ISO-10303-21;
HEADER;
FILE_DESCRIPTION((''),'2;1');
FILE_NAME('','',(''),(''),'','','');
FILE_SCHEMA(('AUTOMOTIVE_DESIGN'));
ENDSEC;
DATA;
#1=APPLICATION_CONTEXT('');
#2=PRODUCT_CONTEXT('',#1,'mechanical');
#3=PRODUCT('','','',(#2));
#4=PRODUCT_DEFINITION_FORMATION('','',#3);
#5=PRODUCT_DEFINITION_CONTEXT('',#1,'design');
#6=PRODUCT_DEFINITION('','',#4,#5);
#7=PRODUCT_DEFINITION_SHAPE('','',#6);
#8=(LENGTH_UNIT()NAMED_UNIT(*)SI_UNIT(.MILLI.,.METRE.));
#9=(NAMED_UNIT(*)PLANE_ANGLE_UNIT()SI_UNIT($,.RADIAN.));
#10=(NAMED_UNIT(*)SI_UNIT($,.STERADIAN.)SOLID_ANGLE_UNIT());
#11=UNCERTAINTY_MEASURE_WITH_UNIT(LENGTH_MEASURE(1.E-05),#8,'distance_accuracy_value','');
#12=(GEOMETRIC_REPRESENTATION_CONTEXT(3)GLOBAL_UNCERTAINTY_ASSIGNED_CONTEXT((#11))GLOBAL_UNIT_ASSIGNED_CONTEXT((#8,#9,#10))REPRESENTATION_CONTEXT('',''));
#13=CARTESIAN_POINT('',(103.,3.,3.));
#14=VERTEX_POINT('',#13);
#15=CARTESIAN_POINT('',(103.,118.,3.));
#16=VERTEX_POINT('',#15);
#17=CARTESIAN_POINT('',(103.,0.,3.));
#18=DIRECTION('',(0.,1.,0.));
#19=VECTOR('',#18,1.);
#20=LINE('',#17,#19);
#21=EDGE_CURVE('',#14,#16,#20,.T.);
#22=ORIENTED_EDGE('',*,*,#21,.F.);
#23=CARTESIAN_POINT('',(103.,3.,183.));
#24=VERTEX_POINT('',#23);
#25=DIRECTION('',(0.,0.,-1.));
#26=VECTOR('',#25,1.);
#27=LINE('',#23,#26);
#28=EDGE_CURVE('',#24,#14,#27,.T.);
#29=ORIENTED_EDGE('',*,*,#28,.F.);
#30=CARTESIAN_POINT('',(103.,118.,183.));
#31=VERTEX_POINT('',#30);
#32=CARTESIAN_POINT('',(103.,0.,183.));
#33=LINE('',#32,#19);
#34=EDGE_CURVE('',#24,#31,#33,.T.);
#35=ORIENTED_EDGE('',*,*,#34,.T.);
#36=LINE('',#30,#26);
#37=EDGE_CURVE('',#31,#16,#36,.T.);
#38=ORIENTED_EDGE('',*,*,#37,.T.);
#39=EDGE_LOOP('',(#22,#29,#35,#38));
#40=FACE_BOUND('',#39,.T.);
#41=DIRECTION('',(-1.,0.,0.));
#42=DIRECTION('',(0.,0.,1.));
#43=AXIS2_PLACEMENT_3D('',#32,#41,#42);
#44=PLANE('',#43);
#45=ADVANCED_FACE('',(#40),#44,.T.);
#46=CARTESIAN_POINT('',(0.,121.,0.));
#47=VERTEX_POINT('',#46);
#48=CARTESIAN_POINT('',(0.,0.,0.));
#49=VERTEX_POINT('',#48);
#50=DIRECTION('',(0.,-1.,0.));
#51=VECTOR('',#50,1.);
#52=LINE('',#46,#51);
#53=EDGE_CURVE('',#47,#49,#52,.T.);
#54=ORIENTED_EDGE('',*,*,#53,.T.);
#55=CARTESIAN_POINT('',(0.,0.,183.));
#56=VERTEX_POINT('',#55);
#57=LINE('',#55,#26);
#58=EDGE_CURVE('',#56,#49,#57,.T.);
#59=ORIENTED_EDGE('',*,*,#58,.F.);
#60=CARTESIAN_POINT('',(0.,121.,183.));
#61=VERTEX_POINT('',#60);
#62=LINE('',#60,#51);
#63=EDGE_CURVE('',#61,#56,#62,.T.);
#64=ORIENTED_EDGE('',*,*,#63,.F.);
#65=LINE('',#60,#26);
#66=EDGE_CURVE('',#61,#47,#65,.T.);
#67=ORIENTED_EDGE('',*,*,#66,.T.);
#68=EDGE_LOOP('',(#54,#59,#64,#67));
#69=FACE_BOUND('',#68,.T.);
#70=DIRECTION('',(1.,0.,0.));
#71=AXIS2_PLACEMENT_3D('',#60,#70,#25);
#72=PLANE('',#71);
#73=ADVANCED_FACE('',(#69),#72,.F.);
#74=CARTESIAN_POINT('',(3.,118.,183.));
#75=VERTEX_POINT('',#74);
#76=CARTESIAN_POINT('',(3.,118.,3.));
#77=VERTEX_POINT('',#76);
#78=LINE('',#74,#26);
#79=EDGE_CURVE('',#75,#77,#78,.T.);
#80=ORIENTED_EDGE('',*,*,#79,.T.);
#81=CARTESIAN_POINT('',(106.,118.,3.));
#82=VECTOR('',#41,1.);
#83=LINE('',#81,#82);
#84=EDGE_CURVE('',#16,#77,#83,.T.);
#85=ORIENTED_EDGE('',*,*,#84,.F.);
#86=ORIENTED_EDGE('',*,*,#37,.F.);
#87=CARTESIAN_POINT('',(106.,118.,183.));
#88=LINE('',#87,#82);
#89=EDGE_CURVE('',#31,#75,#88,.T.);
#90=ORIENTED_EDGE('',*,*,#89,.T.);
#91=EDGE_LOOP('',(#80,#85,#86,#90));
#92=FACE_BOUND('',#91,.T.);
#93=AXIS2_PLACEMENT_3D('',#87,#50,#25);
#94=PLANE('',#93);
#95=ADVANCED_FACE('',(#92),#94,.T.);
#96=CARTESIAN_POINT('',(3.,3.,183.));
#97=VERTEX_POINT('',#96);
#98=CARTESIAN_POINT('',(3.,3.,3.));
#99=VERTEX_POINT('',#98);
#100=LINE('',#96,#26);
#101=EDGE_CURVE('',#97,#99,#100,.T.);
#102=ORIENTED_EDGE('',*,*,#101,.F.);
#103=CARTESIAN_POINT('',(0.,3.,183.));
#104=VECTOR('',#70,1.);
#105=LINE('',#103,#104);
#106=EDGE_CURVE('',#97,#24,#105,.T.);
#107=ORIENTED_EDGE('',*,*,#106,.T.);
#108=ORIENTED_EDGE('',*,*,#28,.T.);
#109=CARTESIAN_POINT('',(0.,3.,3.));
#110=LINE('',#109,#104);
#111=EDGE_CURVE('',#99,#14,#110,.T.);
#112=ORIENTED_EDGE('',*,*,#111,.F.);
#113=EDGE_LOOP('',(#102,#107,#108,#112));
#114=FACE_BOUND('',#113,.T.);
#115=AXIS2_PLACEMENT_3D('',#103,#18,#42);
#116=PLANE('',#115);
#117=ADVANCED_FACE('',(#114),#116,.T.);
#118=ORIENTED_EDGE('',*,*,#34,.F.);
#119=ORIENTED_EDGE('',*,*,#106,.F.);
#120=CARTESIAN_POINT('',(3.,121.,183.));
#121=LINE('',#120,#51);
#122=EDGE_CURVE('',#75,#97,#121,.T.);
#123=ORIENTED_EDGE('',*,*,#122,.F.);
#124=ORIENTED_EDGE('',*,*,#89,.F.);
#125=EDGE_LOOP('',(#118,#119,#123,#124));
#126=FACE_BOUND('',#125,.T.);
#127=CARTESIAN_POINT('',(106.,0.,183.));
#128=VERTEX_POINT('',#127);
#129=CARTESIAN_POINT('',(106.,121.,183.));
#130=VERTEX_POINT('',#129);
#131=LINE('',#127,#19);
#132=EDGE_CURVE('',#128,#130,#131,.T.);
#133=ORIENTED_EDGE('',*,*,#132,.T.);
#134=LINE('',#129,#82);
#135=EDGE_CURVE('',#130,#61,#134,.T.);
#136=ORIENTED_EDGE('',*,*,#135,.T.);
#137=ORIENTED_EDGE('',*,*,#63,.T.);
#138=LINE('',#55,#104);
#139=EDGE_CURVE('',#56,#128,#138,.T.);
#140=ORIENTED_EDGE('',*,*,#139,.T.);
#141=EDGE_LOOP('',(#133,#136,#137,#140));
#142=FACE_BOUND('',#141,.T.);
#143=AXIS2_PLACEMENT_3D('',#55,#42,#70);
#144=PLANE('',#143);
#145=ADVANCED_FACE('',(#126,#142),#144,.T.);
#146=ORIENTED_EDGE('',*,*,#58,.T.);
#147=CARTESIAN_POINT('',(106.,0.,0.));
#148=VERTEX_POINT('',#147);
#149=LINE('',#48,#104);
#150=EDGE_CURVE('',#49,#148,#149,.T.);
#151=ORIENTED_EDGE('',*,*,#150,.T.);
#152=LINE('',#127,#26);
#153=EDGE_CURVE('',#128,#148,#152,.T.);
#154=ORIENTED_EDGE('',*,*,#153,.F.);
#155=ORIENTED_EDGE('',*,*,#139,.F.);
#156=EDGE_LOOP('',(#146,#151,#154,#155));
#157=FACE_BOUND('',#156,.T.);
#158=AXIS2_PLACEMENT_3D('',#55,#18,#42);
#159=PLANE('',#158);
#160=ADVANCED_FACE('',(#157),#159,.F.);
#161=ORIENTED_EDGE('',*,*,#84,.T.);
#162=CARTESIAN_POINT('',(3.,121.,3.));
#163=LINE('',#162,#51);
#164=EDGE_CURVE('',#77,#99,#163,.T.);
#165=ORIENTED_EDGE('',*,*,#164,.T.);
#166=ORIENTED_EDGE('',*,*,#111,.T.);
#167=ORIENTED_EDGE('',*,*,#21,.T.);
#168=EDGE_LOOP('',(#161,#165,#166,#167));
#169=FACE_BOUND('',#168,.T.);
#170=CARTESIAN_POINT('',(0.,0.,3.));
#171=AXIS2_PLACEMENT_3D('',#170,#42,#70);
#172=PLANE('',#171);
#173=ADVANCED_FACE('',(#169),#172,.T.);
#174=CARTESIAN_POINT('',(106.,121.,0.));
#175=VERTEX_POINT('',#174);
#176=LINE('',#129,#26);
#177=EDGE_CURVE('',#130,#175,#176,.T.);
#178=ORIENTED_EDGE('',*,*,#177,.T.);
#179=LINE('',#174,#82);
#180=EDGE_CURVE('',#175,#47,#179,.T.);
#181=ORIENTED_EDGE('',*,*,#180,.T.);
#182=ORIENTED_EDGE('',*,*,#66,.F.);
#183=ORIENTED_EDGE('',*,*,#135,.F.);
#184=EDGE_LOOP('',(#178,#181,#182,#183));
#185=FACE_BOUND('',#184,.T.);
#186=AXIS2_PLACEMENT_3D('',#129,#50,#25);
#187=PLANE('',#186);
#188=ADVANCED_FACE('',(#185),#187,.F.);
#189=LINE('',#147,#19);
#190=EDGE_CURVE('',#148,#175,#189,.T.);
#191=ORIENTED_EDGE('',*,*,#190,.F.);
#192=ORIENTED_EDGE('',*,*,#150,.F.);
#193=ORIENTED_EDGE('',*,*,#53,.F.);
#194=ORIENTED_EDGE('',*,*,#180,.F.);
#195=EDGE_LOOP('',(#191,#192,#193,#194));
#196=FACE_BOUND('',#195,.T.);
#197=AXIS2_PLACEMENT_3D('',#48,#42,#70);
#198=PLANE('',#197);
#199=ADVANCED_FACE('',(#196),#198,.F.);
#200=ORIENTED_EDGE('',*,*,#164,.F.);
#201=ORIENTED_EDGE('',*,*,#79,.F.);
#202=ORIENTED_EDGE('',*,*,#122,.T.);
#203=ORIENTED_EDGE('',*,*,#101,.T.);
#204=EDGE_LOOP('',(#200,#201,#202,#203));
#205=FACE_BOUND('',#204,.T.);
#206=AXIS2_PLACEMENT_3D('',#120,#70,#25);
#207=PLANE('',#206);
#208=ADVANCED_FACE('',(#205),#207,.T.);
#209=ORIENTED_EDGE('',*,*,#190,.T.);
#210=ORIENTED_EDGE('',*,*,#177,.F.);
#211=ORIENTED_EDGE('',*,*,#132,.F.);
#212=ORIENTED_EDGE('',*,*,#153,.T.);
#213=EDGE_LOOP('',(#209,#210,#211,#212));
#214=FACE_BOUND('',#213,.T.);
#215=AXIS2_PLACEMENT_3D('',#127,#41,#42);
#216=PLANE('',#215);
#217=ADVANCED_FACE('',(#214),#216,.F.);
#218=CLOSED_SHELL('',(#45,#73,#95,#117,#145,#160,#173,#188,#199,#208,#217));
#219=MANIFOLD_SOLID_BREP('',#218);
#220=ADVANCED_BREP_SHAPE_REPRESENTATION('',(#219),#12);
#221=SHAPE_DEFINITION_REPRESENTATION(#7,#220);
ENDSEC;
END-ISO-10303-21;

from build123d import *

# Parameters (mm, degrees)
SKETCH_1_W         = 106
SKETCH_1_H         = 121
BLOCKEXTRUDE_DEPTH = 183
SHELL_1_T          = -3


with BuildPart() as part:
    # 草图1 → BlockExtrude (new body)
    with BuildSketch(Plane.XY):
        with Locations((53, 60.5)):
            Rectangle(SKETCH_1_W, SKETCH_1_H)
    extrude(amount=BLOCKEXTRUDE_DEPTH)

    # 抽壳1
    shell_1_openings = [part.faces().sort_by_distance(p)[0] for p in [
        (53, 60.5, 183),
    ]]
    offset(amount=SHELL_1_T, openings=shell_1_openings, kind=Kind.INTERSECTION)


solid = part.part
